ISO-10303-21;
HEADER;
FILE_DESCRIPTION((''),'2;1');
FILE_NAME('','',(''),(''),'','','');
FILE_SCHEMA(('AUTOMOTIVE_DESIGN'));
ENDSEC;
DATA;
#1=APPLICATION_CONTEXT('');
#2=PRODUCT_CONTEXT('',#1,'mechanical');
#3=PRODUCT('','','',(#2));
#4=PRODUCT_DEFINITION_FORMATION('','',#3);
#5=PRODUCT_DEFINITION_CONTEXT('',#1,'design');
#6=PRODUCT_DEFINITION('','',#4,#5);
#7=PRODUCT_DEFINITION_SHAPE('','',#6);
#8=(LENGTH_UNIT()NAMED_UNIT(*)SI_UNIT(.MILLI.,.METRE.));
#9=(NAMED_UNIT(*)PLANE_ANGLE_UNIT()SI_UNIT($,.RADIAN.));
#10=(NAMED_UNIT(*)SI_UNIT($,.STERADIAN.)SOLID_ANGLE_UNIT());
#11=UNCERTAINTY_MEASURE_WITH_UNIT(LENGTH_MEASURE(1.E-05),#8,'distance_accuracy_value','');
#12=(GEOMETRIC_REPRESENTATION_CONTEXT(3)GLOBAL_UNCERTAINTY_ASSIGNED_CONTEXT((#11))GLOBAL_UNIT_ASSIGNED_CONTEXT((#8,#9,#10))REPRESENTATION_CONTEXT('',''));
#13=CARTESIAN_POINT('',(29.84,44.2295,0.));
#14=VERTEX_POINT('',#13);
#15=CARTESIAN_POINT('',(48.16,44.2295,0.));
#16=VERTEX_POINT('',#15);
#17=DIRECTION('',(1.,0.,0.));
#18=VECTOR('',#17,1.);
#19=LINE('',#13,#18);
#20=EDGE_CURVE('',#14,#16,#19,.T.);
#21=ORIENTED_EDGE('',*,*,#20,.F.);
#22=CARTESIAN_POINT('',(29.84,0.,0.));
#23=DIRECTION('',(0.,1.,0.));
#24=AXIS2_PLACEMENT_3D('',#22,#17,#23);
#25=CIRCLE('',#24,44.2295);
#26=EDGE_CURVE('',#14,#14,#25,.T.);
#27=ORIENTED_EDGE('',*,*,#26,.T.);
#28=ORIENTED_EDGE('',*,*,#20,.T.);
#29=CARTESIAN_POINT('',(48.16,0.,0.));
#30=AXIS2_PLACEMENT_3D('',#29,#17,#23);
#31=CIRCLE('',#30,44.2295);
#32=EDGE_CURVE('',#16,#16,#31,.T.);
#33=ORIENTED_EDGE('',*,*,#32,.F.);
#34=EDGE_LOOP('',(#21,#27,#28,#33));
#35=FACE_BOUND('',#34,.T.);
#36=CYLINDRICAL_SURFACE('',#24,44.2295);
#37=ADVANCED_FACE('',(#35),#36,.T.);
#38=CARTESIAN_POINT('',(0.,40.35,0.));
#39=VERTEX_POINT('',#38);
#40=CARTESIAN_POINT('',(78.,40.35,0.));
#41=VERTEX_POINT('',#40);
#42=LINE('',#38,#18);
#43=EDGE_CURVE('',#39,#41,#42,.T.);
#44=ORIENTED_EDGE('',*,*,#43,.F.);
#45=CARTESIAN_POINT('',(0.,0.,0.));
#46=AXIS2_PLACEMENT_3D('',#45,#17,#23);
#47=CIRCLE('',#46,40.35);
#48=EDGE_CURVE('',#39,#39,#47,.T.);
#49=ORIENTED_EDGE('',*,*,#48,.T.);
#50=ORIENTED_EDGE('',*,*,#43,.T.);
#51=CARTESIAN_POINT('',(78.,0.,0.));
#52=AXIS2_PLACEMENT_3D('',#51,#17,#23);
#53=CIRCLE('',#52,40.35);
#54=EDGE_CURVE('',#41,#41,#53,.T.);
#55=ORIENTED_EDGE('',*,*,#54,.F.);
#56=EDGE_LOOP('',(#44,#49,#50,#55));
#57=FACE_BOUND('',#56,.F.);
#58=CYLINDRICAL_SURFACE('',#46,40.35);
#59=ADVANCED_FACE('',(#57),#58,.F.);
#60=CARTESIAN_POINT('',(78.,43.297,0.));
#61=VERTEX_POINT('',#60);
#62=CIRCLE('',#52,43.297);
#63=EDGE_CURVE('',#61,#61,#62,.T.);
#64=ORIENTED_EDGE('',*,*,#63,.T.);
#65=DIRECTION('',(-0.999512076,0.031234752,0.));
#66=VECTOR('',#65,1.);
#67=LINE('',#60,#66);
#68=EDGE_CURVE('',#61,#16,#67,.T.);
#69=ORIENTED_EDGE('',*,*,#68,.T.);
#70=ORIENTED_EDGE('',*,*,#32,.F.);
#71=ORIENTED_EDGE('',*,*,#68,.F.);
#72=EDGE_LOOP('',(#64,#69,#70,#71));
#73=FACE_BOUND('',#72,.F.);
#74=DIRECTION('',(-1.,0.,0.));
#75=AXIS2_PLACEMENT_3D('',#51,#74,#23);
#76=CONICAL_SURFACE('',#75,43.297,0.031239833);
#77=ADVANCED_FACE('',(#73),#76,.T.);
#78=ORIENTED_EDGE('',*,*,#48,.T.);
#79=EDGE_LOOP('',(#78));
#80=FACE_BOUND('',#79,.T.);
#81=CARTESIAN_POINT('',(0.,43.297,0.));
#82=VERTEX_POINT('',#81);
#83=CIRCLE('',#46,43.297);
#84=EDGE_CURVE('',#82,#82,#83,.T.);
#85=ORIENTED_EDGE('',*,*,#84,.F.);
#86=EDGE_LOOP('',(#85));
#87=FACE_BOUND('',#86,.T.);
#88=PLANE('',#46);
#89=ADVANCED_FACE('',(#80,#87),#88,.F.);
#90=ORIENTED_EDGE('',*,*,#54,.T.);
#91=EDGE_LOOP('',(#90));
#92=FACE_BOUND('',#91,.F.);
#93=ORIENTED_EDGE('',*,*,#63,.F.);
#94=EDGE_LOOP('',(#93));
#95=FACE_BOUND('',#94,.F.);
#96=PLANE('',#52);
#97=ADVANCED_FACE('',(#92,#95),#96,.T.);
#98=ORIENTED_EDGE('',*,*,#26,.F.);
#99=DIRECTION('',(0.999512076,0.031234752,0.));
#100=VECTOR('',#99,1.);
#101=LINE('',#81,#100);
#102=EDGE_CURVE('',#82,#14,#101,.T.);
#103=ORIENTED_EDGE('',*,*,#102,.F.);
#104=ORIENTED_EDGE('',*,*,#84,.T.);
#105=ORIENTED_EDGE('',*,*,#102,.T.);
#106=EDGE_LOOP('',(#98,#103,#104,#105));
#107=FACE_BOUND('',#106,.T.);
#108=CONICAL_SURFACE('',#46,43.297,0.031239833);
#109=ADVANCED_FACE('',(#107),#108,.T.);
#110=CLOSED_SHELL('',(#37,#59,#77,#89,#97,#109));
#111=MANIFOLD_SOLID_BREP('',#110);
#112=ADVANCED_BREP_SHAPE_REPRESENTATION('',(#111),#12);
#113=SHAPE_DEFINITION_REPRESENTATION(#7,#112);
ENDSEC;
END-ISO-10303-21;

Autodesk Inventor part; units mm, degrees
ref_plane "YZ Plane" through (0, 0, 0) normal (1, 0, 0) x (0, 1, 0)
ref_plane "XZ Plane" through (0, 0, 0) normal (0, 1, 0) x (-1, 0, 0)
ref_plane "XY Plane" through (0, 0, 0) normal (0, 0, 1) x (1, 0, 0)
sketch "Sketch1" plane through (0, 0, 0) normal (0, 0, 1) x (1, 0, 0)
  line L0 (0, 0) -> (78, 0)
  line L1 (78, 40.35) -> (78, 43.297)
  line L2 (78, 40.35) -> (78, 0) construction
  line L3 (0, 40.35) -> (0, 43.297)
  line L4 (0, 40.35) -> (0, 0) construction
  line L5 (0, 40.35) -> (78, 40.35)
  line L6 (0, 43.297) -> (29.84, 44.2295)
  line L7 (39, 44.2295) -> (39, 0) construction
  line L8 (20.64, 43.942) -> (20.64, 0) construction
  line L9 (78, 43.297) -> (48.16, 44.2295)
  line L10 (29.84, 44.2295) -> (48.16, 44.2295)
  line L11 (29.84, 44.2295) -> (29.84, 0) construction
  line L12 (48.16, 44.2295) -> (48.16, 0) construction
  point P0 (0, 43.297)
  dimension "d1" = 1.79
  dimension "d2" = 78
  dimension "d7" = 20.64
  dimension "d8" = 87.884
  dimension "d57" = 80.7
  dimension "d60" = 29.84
  dimension "d62" = 0
revolve "Revolution1" add sketch "Sketch1" angle 360 about axis through (0, 0, 0) along (1, 0, 0)
thread "Thread1" size "R 3" standard "JIS Taper" length 35.1
thread "Thread2" size "R 3" standard "JIS Taper" length 35.1
equation "\"d2\" = L"
equation "\"d7\" = a"
equation "\"d8\" = MjD"
equation "\"d57\" = d"
equation "\"d60\" = ll"
equation "\"d3\" = 0.45 * L"
equation "\"d5\" = 0.45 * L"
equation "\"MjD\" = 87.884"
equation "\"d\" = 80.7"
equation "\"a\" = 20.64"
equation "\"ll\" = 29.84"
properties part number "JIS B 2302 Barrel Nipple 3" material "Steel, Carbon"
